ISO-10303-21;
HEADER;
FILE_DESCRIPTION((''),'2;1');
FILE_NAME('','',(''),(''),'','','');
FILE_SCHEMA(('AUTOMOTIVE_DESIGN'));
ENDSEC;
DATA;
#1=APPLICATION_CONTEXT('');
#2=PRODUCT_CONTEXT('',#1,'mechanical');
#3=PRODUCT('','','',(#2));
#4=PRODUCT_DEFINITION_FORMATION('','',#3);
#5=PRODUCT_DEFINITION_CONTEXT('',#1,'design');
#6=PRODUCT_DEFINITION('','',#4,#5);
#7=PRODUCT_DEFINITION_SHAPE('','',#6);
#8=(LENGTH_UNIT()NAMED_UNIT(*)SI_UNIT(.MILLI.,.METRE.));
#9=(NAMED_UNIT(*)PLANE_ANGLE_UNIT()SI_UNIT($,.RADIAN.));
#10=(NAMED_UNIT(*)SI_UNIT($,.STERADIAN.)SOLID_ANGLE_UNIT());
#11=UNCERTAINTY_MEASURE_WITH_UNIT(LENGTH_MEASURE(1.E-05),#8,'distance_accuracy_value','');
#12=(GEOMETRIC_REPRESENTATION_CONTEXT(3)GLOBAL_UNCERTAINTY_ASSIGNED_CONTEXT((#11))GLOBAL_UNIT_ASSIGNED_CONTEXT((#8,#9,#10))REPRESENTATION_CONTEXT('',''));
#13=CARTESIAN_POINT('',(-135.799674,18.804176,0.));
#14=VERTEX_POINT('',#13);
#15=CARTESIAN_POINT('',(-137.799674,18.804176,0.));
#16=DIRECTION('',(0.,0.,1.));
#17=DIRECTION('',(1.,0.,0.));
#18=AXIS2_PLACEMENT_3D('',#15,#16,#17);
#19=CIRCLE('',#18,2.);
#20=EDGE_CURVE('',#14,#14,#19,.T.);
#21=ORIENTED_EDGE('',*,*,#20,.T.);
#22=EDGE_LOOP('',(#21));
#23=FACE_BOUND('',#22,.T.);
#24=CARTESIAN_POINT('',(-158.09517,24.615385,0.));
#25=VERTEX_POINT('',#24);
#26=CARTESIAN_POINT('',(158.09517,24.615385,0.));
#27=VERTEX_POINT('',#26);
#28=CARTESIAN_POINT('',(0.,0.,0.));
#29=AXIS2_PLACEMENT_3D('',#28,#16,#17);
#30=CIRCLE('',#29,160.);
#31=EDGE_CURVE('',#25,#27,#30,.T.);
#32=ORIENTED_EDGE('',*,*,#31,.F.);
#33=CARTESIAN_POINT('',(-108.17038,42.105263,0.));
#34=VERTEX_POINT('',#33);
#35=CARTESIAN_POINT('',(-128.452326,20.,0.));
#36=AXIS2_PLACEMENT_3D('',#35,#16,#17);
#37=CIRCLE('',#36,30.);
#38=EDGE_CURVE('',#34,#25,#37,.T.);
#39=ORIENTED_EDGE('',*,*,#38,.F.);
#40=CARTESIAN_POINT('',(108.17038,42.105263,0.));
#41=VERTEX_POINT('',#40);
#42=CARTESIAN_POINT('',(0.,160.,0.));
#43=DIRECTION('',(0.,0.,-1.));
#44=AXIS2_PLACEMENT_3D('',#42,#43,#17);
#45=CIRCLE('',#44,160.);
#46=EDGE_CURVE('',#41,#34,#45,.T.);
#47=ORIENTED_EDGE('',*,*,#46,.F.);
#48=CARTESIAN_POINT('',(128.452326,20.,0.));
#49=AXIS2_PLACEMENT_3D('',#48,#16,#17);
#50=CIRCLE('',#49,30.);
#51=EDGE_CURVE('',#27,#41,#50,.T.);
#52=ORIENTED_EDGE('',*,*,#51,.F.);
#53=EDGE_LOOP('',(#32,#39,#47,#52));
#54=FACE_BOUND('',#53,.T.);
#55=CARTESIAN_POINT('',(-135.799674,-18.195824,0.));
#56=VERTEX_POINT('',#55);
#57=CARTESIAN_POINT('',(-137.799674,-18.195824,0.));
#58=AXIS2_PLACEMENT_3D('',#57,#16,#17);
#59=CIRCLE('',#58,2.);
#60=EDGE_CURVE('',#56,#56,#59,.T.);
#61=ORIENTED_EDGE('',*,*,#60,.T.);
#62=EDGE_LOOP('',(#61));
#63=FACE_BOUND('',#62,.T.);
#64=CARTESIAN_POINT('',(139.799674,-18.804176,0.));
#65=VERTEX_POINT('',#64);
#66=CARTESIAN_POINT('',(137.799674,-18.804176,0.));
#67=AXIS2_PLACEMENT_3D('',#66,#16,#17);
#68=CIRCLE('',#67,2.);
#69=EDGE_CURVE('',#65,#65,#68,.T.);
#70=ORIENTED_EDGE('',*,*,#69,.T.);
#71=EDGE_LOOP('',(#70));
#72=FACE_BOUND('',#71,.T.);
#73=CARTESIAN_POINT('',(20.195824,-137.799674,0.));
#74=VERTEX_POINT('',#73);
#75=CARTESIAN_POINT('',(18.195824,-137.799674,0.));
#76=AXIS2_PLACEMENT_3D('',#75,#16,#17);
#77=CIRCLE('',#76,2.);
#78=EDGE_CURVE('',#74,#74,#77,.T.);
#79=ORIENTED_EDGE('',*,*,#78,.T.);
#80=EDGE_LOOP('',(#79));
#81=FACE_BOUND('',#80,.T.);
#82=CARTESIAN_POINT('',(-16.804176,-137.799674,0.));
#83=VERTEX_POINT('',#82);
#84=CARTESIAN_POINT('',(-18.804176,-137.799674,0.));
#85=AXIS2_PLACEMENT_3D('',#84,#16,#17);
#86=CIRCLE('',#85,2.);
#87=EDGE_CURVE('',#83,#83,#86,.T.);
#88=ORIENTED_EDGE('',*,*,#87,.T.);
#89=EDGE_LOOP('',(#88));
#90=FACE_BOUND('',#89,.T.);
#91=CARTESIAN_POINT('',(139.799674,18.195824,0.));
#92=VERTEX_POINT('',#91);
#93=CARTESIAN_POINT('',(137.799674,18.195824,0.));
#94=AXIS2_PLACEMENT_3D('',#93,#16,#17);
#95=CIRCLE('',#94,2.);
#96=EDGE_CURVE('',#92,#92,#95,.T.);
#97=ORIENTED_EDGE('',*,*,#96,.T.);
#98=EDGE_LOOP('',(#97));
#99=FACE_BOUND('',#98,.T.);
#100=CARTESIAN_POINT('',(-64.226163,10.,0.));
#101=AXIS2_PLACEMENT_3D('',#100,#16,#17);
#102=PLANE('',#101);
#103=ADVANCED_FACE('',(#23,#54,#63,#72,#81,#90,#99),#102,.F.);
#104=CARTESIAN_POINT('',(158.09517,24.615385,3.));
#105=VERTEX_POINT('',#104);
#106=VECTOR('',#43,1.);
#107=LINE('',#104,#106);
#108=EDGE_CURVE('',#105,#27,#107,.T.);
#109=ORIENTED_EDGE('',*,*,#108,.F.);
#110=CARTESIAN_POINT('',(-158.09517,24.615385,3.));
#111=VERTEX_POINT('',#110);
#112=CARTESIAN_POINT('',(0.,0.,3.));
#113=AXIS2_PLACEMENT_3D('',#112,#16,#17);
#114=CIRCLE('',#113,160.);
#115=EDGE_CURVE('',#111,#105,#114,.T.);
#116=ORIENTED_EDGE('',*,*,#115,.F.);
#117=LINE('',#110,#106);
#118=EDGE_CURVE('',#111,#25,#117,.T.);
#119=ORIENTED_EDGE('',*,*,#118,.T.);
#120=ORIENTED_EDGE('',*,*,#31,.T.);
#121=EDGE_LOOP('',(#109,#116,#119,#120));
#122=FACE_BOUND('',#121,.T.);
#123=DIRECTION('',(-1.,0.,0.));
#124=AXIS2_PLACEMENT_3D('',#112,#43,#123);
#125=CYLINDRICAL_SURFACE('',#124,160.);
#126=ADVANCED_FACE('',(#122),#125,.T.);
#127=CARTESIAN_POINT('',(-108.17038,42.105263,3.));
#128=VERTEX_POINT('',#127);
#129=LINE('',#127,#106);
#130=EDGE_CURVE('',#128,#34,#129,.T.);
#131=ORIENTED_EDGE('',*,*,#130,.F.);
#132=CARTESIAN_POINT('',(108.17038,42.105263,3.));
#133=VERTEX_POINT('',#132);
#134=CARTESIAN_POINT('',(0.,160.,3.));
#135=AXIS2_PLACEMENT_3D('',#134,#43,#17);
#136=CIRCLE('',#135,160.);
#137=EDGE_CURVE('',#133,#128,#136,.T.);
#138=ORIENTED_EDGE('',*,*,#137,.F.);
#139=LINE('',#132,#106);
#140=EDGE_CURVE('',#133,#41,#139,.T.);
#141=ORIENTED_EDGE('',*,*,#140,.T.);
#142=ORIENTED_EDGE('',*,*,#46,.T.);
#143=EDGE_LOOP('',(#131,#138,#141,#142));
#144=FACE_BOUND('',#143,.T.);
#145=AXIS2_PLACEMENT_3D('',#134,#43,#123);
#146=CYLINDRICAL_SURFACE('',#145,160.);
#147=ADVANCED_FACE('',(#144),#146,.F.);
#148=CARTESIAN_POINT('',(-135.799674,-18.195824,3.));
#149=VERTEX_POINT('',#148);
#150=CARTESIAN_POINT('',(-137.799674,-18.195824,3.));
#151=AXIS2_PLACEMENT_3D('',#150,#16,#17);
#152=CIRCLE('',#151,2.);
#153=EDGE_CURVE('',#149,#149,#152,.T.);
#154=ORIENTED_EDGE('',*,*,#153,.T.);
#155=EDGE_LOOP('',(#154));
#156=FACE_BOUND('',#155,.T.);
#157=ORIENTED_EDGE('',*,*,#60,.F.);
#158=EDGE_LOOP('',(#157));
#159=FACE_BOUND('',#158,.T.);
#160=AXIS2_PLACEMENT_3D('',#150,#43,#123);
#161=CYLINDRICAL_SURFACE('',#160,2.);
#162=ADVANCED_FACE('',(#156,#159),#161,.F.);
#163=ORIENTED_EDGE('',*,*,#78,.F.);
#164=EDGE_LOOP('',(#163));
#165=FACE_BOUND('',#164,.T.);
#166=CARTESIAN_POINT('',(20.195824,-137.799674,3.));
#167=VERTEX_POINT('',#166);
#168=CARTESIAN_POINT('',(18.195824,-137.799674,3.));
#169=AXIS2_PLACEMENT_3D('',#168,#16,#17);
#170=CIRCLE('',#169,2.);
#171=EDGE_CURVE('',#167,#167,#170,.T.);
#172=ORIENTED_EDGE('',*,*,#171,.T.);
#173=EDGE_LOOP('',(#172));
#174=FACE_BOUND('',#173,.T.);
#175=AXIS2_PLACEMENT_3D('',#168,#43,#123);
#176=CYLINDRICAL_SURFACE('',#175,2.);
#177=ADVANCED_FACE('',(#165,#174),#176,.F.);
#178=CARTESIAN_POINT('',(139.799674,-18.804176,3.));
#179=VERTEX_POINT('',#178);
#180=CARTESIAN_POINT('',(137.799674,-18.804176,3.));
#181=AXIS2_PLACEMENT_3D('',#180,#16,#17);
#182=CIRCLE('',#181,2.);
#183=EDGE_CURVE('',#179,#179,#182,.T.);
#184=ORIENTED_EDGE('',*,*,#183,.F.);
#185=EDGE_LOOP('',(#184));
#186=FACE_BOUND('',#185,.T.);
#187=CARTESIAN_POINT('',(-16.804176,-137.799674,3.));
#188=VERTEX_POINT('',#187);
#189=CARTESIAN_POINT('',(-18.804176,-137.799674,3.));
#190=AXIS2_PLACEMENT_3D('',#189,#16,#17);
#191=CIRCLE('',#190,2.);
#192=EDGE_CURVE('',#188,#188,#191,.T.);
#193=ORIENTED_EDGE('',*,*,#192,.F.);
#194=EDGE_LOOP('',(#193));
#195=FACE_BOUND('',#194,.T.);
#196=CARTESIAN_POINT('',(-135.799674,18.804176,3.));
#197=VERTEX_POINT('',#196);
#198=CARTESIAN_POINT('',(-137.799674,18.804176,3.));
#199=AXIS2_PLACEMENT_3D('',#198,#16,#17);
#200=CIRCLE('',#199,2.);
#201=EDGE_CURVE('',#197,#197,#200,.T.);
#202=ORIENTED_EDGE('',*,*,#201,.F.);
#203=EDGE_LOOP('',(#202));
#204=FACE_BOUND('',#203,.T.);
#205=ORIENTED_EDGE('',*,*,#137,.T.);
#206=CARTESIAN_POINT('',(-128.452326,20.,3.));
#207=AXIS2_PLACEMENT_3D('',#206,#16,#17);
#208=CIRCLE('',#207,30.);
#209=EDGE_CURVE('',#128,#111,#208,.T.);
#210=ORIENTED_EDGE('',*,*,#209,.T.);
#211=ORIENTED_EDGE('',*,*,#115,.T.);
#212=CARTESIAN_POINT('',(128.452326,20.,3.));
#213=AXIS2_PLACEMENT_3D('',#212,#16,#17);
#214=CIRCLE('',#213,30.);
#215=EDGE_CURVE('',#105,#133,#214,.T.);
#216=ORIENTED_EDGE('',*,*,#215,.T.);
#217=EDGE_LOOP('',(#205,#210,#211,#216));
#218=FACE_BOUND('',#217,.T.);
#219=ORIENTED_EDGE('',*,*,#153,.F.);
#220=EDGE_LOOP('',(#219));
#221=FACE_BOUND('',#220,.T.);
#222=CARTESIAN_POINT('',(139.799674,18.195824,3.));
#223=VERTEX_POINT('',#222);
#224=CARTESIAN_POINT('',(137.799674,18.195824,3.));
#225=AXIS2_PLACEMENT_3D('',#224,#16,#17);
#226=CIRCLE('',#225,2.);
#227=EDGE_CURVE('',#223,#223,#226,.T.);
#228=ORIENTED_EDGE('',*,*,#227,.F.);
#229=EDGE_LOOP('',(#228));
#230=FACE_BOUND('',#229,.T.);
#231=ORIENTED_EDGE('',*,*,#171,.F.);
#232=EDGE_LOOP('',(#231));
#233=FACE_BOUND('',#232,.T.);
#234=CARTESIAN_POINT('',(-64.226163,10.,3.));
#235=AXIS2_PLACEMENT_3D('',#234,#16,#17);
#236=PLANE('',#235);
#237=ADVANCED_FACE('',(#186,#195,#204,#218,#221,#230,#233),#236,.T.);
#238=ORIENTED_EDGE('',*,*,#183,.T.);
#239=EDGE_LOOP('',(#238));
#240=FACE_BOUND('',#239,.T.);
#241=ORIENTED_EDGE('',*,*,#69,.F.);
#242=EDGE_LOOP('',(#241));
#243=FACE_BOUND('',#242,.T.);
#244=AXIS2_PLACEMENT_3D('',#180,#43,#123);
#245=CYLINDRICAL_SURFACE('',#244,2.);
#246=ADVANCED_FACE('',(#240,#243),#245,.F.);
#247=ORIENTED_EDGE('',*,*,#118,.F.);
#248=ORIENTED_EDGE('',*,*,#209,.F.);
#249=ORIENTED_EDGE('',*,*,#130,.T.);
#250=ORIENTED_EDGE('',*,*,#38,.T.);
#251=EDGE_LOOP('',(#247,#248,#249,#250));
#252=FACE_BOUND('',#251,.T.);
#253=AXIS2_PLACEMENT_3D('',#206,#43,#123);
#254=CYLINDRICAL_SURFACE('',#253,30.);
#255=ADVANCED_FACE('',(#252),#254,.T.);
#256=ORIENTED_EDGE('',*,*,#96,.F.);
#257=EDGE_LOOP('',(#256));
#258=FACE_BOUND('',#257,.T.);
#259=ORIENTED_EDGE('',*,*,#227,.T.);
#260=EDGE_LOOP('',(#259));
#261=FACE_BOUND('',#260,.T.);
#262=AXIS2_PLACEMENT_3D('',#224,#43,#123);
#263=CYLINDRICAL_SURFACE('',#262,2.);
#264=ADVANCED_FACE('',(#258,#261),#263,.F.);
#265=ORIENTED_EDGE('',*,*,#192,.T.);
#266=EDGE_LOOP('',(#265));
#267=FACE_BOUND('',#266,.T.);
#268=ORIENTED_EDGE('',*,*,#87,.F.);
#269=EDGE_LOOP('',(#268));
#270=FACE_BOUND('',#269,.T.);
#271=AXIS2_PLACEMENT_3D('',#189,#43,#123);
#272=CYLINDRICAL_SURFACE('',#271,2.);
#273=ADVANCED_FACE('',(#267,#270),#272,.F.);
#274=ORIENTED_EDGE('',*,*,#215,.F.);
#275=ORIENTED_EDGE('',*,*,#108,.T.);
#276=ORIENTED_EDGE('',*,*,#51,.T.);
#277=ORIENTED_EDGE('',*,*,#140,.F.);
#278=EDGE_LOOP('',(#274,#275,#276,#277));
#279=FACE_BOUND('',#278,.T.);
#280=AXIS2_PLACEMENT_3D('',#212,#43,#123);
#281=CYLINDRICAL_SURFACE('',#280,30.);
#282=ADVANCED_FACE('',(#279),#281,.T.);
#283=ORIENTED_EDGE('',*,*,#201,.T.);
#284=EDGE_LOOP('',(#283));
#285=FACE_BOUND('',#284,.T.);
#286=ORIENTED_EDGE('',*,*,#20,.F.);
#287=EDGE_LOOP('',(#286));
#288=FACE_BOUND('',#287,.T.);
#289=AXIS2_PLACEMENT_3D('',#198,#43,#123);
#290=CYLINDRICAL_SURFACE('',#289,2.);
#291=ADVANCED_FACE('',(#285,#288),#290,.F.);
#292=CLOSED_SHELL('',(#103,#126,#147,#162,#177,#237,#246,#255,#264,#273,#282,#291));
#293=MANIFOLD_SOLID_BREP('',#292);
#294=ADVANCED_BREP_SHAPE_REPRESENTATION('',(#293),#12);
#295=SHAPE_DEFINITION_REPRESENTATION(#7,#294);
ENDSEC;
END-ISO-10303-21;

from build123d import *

# Parameters (mm, degrees)
SKETCH_1_R      = 2
EXTRUDE_1_DEPTH = 3


with BuildPart() as part:
    # 草图1 → 凸台-拉伸1 (new body)
    with BuildSketch(Plane.XY):
        with BuildLine():
            ThreePointArc((-158.095170199, 24.615384615), (0, -160), (158.095170199, 24.615384615))
            ThreePointArc((158.095170199, 24.615384615), (138.371023625, 48.312884579), (108.17037961, 42.105263158))
            ThreePointArc((108.17037961, 42.105263158), (0, 0), (-108.17037961, 42.105263158))
            ThreePointArc((-108.17037961, 42.105263158), (-138.371023625, 48.312884579), (-158.095170199, 24.615384615))
        make_face()
        with Locations((137.799674336, 18.195823561)):
            Circle(SKETCH_1_R, mode=Mode.SUBTRACT)
        with Locations((137.799674336, -18.804176439)):
            Circle(SKETCH_1_R, mode=Mode.SUBTRACT)
        with Locations((18.195823561, -137.799674336)):
            Circle(SKETCH_1_R, mode=Mode.SUBTRACT)
        with Locations((-18.804176439, -137.799674336)):
            Circle(SKETCH_1_R, mode=Mode.SUBTRACT)
        with Locations((-137.799674336, -18.195823561)):
            Circle(SKETCH_1_R, mode=Mode.SUBTRACT)
        with Locations((-137.799674336, 18.804176439)):
            Circle(SKETCH_1_R, mode=Mode.SUBTRACT)
    extrude(amount=EXTRUDE_1_DEPTH)


solid = part.part
